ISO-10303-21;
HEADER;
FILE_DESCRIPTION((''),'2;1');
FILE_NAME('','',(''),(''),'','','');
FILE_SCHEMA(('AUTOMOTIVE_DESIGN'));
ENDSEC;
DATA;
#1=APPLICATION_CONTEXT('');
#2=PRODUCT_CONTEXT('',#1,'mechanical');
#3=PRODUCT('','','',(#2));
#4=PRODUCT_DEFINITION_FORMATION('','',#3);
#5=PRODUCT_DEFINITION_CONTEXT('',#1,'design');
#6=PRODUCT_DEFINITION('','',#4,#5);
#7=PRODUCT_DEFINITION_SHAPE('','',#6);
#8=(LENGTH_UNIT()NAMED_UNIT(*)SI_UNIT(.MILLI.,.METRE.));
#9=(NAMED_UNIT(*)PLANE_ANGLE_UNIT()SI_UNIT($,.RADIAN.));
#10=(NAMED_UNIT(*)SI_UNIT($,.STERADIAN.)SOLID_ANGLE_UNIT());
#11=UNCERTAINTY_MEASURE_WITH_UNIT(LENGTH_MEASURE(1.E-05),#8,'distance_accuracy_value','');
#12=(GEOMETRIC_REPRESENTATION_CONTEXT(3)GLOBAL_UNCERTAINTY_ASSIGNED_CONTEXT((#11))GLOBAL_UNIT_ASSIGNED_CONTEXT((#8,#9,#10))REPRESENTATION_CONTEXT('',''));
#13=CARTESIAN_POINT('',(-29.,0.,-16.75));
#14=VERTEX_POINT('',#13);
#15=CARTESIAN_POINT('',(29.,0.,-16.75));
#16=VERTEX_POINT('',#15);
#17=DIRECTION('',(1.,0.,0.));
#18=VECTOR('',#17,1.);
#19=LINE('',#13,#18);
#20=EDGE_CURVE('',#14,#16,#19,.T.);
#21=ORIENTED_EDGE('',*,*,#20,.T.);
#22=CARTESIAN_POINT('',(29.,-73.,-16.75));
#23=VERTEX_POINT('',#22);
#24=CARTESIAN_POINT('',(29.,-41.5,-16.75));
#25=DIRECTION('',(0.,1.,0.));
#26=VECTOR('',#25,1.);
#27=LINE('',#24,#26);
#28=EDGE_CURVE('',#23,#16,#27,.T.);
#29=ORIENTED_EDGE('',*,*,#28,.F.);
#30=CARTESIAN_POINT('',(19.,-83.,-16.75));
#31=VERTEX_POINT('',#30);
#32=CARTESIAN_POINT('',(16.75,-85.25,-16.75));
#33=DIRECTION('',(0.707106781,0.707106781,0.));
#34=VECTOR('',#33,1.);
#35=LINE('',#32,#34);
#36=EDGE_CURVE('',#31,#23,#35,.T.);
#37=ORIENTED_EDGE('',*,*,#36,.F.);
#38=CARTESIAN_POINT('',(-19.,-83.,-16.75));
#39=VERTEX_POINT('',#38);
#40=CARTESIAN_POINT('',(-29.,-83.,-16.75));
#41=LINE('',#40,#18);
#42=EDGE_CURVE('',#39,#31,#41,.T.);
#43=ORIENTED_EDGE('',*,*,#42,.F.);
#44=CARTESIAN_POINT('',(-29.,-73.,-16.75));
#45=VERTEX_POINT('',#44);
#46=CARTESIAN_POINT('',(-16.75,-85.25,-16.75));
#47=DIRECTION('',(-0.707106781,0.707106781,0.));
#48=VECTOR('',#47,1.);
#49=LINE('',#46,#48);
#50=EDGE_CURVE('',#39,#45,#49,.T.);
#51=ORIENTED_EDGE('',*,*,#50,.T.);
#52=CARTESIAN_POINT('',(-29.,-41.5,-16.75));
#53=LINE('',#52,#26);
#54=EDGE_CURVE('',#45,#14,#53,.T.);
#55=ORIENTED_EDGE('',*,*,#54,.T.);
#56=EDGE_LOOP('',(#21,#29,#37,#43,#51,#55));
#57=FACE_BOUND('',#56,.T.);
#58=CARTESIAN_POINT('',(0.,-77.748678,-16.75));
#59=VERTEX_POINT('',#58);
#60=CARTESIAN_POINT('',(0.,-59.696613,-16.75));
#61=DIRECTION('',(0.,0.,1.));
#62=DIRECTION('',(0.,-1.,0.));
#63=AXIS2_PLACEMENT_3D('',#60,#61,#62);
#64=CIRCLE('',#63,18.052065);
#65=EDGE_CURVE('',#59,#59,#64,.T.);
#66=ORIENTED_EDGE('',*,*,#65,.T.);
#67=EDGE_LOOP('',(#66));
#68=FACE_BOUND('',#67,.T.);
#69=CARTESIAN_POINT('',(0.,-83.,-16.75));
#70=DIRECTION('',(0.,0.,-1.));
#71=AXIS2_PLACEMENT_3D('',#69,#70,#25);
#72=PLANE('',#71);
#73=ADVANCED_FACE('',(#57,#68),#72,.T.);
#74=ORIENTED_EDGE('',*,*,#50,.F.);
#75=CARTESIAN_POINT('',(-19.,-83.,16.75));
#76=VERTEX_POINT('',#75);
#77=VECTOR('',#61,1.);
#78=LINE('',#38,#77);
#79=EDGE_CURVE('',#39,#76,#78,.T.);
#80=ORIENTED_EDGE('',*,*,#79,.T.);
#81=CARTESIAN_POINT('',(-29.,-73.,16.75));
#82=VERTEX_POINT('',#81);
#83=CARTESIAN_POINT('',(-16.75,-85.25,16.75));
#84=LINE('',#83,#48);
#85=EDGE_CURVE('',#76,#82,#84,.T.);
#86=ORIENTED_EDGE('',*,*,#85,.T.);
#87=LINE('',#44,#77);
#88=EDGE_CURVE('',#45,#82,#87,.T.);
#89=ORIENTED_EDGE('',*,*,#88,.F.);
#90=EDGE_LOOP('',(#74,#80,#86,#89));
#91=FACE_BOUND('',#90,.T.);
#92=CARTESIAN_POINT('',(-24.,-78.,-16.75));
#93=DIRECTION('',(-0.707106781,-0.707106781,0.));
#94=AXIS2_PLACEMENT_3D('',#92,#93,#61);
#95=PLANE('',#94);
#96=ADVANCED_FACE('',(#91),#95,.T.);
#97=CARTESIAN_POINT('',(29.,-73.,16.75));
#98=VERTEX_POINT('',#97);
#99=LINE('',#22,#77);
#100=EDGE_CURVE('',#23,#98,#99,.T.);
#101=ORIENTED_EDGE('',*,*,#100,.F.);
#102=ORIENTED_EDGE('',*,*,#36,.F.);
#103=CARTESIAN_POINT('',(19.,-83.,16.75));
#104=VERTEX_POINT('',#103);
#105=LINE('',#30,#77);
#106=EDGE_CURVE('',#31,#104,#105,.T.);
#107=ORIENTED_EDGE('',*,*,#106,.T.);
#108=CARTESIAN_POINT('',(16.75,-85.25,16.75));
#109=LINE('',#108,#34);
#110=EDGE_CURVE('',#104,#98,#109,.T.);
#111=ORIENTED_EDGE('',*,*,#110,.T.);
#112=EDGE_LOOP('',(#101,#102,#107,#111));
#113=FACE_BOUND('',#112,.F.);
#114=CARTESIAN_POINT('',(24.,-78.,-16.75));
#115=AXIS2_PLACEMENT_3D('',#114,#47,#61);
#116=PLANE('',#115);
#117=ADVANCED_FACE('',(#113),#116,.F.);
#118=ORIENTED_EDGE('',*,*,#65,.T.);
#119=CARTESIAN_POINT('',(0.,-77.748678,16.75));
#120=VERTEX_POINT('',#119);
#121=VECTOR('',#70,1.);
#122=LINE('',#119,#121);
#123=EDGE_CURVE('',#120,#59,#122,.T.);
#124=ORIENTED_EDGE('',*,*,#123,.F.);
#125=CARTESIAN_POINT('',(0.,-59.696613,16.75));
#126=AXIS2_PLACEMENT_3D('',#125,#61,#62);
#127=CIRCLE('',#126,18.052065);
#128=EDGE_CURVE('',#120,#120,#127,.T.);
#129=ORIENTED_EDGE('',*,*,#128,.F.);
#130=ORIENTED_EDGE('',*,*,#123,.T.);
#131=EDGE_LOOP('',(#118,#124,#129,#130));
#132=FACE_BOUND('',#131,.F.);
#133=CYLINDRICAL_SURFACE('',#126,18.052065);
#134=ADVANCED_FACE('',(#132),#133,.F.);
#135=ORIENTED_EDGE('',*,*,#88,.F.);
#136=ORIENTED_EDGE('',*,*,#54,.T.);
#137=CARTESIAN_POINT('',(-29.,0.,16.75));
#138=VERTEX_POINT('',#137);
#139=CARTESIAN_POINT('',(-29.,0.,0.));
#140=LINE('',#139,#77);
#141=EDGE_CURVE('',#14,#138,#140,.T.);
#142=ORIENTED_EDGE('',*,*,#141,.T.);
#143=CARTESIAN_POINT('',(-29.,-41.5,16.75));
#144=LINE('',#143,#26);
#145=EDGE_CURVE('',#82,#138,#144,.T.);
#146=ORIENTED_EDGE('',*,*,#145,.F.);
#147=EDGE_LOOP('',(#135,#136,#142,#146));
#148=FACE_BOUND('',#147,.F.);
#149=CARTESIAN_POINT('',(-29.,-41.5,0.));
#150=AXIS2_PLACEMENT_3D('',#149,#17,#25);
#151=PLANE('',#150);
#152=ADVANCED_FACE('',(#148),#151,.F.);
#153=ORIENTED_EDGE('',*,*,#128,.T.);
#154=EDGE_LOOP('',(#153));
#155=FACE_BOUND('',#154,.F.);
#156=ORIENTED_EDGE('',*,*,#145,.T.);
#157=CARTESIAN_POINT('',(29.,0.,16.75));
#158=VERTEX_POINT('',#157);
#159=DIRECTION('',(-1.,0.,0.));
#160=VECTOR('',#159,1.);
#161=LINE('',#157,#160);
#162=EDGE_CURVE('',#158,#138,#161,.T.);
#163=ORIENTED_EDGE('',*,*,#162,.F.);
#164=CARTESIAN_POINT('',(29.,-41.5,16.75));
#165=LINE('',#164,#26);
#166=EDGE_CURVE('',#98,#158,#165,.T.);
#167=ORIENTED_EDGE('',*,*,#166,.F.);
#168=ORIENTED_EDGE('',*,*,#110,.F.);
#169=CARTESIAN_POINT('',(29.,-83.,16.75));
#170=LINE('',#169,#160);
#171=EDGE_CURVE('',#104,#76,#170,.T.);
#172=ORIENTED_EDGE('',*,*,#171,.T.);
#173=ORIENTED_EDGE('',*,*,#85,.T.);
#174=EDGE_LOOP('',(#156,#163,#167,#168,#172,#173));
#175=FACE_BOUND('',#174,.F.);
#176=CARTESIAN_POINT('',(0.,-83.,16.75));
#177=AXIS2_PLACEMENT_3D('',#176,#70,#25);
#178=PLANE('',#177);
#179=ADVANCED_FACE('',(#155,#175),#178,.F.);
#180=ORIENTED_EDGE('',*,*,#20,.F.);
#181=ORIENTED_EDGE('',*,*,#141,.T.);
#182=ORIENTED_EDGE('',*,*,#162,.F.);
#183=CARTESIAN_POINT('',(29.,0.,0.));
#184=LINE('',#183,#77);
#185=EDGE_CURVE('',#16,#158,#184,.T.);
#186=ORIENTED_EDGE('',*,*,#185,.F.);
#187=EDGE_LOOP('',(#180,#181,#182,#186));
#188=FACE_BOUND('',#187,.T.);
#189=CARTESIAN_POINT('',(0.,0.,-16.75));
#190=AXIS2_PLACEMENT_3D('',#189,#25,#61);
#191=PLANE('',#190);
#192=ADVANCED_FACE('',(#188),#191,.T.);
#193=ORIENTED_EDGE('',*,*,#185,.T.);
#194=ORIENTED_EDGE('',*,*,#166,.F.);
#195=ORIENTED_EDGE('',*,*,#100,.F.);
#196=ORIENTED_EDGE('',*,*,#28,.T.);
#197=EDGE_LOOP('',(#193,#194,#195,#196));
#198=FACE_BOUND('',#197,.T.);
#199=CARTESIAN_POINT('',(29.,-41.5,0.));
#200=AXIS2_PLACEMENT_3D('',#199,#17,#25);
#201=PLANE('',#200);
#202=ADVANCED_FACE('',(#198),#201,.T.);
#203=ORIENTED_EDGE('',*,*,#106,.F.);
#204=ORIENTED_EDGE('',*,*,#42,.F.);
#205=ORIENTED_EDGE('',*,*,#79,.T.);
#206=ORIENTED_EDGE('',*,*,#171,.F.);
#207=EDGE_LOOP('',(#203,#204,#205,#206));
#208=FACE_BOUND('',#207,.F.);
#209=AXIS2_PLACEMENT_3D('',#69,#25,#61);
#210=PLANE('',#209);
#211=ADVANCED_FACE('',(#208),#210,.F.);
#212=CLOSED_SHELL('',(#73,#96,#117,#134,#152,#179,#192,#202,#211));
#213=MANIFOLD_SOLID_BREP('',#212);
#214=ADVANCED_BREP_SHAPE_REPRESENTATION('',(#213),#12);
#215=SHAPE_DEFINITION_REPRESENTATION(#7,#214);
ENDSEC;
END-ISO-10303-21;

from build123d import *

# Parameters (mm, degrees)
SKETCH014_W     = 83
SKETCH014_H     = 33.5
PAD008_DEPTH    = 29
CHAMFER001_SIZE = 10
SKETCH018_R     = 18.052065
POCKET006_DEPTH = 33.501


with BuildPart() as part:
    # Sketch014 → Pad008 (new body, symmetric)
    with BuildSketch(Plane.YZ):
        with Locations((-41.5, 0)):
            Rectangle(SKETCH014_W, SKETCH014_H)
    extrude(amount=PAD008_DEPTH, both=True)

    # Chamfer001
    chamfer001_edges = [part.edges().sort_by_distance(p)[0] for p in [
        (-29, -83, 0),
        (29, -83, 0),
    ]]
    chamfer(chamfer001_edges, length=CHAMFER001_SIZE)

    # Sketch018 (on Face8 of Chamfer001) → Pocket006 (cut, through all)
    with BuildSketch(Plane(origin=(0, 0, 16.75), x_dir=(0, -1, 0), z_dir=(0, 0, 1))):
        with Locations((59.696613, 0)):
            Circle(SKETCH018_R)
    extrude(amount=-POCKET006_DEPTH, mode=Mode.SUBTRACT)


solid = part.part
